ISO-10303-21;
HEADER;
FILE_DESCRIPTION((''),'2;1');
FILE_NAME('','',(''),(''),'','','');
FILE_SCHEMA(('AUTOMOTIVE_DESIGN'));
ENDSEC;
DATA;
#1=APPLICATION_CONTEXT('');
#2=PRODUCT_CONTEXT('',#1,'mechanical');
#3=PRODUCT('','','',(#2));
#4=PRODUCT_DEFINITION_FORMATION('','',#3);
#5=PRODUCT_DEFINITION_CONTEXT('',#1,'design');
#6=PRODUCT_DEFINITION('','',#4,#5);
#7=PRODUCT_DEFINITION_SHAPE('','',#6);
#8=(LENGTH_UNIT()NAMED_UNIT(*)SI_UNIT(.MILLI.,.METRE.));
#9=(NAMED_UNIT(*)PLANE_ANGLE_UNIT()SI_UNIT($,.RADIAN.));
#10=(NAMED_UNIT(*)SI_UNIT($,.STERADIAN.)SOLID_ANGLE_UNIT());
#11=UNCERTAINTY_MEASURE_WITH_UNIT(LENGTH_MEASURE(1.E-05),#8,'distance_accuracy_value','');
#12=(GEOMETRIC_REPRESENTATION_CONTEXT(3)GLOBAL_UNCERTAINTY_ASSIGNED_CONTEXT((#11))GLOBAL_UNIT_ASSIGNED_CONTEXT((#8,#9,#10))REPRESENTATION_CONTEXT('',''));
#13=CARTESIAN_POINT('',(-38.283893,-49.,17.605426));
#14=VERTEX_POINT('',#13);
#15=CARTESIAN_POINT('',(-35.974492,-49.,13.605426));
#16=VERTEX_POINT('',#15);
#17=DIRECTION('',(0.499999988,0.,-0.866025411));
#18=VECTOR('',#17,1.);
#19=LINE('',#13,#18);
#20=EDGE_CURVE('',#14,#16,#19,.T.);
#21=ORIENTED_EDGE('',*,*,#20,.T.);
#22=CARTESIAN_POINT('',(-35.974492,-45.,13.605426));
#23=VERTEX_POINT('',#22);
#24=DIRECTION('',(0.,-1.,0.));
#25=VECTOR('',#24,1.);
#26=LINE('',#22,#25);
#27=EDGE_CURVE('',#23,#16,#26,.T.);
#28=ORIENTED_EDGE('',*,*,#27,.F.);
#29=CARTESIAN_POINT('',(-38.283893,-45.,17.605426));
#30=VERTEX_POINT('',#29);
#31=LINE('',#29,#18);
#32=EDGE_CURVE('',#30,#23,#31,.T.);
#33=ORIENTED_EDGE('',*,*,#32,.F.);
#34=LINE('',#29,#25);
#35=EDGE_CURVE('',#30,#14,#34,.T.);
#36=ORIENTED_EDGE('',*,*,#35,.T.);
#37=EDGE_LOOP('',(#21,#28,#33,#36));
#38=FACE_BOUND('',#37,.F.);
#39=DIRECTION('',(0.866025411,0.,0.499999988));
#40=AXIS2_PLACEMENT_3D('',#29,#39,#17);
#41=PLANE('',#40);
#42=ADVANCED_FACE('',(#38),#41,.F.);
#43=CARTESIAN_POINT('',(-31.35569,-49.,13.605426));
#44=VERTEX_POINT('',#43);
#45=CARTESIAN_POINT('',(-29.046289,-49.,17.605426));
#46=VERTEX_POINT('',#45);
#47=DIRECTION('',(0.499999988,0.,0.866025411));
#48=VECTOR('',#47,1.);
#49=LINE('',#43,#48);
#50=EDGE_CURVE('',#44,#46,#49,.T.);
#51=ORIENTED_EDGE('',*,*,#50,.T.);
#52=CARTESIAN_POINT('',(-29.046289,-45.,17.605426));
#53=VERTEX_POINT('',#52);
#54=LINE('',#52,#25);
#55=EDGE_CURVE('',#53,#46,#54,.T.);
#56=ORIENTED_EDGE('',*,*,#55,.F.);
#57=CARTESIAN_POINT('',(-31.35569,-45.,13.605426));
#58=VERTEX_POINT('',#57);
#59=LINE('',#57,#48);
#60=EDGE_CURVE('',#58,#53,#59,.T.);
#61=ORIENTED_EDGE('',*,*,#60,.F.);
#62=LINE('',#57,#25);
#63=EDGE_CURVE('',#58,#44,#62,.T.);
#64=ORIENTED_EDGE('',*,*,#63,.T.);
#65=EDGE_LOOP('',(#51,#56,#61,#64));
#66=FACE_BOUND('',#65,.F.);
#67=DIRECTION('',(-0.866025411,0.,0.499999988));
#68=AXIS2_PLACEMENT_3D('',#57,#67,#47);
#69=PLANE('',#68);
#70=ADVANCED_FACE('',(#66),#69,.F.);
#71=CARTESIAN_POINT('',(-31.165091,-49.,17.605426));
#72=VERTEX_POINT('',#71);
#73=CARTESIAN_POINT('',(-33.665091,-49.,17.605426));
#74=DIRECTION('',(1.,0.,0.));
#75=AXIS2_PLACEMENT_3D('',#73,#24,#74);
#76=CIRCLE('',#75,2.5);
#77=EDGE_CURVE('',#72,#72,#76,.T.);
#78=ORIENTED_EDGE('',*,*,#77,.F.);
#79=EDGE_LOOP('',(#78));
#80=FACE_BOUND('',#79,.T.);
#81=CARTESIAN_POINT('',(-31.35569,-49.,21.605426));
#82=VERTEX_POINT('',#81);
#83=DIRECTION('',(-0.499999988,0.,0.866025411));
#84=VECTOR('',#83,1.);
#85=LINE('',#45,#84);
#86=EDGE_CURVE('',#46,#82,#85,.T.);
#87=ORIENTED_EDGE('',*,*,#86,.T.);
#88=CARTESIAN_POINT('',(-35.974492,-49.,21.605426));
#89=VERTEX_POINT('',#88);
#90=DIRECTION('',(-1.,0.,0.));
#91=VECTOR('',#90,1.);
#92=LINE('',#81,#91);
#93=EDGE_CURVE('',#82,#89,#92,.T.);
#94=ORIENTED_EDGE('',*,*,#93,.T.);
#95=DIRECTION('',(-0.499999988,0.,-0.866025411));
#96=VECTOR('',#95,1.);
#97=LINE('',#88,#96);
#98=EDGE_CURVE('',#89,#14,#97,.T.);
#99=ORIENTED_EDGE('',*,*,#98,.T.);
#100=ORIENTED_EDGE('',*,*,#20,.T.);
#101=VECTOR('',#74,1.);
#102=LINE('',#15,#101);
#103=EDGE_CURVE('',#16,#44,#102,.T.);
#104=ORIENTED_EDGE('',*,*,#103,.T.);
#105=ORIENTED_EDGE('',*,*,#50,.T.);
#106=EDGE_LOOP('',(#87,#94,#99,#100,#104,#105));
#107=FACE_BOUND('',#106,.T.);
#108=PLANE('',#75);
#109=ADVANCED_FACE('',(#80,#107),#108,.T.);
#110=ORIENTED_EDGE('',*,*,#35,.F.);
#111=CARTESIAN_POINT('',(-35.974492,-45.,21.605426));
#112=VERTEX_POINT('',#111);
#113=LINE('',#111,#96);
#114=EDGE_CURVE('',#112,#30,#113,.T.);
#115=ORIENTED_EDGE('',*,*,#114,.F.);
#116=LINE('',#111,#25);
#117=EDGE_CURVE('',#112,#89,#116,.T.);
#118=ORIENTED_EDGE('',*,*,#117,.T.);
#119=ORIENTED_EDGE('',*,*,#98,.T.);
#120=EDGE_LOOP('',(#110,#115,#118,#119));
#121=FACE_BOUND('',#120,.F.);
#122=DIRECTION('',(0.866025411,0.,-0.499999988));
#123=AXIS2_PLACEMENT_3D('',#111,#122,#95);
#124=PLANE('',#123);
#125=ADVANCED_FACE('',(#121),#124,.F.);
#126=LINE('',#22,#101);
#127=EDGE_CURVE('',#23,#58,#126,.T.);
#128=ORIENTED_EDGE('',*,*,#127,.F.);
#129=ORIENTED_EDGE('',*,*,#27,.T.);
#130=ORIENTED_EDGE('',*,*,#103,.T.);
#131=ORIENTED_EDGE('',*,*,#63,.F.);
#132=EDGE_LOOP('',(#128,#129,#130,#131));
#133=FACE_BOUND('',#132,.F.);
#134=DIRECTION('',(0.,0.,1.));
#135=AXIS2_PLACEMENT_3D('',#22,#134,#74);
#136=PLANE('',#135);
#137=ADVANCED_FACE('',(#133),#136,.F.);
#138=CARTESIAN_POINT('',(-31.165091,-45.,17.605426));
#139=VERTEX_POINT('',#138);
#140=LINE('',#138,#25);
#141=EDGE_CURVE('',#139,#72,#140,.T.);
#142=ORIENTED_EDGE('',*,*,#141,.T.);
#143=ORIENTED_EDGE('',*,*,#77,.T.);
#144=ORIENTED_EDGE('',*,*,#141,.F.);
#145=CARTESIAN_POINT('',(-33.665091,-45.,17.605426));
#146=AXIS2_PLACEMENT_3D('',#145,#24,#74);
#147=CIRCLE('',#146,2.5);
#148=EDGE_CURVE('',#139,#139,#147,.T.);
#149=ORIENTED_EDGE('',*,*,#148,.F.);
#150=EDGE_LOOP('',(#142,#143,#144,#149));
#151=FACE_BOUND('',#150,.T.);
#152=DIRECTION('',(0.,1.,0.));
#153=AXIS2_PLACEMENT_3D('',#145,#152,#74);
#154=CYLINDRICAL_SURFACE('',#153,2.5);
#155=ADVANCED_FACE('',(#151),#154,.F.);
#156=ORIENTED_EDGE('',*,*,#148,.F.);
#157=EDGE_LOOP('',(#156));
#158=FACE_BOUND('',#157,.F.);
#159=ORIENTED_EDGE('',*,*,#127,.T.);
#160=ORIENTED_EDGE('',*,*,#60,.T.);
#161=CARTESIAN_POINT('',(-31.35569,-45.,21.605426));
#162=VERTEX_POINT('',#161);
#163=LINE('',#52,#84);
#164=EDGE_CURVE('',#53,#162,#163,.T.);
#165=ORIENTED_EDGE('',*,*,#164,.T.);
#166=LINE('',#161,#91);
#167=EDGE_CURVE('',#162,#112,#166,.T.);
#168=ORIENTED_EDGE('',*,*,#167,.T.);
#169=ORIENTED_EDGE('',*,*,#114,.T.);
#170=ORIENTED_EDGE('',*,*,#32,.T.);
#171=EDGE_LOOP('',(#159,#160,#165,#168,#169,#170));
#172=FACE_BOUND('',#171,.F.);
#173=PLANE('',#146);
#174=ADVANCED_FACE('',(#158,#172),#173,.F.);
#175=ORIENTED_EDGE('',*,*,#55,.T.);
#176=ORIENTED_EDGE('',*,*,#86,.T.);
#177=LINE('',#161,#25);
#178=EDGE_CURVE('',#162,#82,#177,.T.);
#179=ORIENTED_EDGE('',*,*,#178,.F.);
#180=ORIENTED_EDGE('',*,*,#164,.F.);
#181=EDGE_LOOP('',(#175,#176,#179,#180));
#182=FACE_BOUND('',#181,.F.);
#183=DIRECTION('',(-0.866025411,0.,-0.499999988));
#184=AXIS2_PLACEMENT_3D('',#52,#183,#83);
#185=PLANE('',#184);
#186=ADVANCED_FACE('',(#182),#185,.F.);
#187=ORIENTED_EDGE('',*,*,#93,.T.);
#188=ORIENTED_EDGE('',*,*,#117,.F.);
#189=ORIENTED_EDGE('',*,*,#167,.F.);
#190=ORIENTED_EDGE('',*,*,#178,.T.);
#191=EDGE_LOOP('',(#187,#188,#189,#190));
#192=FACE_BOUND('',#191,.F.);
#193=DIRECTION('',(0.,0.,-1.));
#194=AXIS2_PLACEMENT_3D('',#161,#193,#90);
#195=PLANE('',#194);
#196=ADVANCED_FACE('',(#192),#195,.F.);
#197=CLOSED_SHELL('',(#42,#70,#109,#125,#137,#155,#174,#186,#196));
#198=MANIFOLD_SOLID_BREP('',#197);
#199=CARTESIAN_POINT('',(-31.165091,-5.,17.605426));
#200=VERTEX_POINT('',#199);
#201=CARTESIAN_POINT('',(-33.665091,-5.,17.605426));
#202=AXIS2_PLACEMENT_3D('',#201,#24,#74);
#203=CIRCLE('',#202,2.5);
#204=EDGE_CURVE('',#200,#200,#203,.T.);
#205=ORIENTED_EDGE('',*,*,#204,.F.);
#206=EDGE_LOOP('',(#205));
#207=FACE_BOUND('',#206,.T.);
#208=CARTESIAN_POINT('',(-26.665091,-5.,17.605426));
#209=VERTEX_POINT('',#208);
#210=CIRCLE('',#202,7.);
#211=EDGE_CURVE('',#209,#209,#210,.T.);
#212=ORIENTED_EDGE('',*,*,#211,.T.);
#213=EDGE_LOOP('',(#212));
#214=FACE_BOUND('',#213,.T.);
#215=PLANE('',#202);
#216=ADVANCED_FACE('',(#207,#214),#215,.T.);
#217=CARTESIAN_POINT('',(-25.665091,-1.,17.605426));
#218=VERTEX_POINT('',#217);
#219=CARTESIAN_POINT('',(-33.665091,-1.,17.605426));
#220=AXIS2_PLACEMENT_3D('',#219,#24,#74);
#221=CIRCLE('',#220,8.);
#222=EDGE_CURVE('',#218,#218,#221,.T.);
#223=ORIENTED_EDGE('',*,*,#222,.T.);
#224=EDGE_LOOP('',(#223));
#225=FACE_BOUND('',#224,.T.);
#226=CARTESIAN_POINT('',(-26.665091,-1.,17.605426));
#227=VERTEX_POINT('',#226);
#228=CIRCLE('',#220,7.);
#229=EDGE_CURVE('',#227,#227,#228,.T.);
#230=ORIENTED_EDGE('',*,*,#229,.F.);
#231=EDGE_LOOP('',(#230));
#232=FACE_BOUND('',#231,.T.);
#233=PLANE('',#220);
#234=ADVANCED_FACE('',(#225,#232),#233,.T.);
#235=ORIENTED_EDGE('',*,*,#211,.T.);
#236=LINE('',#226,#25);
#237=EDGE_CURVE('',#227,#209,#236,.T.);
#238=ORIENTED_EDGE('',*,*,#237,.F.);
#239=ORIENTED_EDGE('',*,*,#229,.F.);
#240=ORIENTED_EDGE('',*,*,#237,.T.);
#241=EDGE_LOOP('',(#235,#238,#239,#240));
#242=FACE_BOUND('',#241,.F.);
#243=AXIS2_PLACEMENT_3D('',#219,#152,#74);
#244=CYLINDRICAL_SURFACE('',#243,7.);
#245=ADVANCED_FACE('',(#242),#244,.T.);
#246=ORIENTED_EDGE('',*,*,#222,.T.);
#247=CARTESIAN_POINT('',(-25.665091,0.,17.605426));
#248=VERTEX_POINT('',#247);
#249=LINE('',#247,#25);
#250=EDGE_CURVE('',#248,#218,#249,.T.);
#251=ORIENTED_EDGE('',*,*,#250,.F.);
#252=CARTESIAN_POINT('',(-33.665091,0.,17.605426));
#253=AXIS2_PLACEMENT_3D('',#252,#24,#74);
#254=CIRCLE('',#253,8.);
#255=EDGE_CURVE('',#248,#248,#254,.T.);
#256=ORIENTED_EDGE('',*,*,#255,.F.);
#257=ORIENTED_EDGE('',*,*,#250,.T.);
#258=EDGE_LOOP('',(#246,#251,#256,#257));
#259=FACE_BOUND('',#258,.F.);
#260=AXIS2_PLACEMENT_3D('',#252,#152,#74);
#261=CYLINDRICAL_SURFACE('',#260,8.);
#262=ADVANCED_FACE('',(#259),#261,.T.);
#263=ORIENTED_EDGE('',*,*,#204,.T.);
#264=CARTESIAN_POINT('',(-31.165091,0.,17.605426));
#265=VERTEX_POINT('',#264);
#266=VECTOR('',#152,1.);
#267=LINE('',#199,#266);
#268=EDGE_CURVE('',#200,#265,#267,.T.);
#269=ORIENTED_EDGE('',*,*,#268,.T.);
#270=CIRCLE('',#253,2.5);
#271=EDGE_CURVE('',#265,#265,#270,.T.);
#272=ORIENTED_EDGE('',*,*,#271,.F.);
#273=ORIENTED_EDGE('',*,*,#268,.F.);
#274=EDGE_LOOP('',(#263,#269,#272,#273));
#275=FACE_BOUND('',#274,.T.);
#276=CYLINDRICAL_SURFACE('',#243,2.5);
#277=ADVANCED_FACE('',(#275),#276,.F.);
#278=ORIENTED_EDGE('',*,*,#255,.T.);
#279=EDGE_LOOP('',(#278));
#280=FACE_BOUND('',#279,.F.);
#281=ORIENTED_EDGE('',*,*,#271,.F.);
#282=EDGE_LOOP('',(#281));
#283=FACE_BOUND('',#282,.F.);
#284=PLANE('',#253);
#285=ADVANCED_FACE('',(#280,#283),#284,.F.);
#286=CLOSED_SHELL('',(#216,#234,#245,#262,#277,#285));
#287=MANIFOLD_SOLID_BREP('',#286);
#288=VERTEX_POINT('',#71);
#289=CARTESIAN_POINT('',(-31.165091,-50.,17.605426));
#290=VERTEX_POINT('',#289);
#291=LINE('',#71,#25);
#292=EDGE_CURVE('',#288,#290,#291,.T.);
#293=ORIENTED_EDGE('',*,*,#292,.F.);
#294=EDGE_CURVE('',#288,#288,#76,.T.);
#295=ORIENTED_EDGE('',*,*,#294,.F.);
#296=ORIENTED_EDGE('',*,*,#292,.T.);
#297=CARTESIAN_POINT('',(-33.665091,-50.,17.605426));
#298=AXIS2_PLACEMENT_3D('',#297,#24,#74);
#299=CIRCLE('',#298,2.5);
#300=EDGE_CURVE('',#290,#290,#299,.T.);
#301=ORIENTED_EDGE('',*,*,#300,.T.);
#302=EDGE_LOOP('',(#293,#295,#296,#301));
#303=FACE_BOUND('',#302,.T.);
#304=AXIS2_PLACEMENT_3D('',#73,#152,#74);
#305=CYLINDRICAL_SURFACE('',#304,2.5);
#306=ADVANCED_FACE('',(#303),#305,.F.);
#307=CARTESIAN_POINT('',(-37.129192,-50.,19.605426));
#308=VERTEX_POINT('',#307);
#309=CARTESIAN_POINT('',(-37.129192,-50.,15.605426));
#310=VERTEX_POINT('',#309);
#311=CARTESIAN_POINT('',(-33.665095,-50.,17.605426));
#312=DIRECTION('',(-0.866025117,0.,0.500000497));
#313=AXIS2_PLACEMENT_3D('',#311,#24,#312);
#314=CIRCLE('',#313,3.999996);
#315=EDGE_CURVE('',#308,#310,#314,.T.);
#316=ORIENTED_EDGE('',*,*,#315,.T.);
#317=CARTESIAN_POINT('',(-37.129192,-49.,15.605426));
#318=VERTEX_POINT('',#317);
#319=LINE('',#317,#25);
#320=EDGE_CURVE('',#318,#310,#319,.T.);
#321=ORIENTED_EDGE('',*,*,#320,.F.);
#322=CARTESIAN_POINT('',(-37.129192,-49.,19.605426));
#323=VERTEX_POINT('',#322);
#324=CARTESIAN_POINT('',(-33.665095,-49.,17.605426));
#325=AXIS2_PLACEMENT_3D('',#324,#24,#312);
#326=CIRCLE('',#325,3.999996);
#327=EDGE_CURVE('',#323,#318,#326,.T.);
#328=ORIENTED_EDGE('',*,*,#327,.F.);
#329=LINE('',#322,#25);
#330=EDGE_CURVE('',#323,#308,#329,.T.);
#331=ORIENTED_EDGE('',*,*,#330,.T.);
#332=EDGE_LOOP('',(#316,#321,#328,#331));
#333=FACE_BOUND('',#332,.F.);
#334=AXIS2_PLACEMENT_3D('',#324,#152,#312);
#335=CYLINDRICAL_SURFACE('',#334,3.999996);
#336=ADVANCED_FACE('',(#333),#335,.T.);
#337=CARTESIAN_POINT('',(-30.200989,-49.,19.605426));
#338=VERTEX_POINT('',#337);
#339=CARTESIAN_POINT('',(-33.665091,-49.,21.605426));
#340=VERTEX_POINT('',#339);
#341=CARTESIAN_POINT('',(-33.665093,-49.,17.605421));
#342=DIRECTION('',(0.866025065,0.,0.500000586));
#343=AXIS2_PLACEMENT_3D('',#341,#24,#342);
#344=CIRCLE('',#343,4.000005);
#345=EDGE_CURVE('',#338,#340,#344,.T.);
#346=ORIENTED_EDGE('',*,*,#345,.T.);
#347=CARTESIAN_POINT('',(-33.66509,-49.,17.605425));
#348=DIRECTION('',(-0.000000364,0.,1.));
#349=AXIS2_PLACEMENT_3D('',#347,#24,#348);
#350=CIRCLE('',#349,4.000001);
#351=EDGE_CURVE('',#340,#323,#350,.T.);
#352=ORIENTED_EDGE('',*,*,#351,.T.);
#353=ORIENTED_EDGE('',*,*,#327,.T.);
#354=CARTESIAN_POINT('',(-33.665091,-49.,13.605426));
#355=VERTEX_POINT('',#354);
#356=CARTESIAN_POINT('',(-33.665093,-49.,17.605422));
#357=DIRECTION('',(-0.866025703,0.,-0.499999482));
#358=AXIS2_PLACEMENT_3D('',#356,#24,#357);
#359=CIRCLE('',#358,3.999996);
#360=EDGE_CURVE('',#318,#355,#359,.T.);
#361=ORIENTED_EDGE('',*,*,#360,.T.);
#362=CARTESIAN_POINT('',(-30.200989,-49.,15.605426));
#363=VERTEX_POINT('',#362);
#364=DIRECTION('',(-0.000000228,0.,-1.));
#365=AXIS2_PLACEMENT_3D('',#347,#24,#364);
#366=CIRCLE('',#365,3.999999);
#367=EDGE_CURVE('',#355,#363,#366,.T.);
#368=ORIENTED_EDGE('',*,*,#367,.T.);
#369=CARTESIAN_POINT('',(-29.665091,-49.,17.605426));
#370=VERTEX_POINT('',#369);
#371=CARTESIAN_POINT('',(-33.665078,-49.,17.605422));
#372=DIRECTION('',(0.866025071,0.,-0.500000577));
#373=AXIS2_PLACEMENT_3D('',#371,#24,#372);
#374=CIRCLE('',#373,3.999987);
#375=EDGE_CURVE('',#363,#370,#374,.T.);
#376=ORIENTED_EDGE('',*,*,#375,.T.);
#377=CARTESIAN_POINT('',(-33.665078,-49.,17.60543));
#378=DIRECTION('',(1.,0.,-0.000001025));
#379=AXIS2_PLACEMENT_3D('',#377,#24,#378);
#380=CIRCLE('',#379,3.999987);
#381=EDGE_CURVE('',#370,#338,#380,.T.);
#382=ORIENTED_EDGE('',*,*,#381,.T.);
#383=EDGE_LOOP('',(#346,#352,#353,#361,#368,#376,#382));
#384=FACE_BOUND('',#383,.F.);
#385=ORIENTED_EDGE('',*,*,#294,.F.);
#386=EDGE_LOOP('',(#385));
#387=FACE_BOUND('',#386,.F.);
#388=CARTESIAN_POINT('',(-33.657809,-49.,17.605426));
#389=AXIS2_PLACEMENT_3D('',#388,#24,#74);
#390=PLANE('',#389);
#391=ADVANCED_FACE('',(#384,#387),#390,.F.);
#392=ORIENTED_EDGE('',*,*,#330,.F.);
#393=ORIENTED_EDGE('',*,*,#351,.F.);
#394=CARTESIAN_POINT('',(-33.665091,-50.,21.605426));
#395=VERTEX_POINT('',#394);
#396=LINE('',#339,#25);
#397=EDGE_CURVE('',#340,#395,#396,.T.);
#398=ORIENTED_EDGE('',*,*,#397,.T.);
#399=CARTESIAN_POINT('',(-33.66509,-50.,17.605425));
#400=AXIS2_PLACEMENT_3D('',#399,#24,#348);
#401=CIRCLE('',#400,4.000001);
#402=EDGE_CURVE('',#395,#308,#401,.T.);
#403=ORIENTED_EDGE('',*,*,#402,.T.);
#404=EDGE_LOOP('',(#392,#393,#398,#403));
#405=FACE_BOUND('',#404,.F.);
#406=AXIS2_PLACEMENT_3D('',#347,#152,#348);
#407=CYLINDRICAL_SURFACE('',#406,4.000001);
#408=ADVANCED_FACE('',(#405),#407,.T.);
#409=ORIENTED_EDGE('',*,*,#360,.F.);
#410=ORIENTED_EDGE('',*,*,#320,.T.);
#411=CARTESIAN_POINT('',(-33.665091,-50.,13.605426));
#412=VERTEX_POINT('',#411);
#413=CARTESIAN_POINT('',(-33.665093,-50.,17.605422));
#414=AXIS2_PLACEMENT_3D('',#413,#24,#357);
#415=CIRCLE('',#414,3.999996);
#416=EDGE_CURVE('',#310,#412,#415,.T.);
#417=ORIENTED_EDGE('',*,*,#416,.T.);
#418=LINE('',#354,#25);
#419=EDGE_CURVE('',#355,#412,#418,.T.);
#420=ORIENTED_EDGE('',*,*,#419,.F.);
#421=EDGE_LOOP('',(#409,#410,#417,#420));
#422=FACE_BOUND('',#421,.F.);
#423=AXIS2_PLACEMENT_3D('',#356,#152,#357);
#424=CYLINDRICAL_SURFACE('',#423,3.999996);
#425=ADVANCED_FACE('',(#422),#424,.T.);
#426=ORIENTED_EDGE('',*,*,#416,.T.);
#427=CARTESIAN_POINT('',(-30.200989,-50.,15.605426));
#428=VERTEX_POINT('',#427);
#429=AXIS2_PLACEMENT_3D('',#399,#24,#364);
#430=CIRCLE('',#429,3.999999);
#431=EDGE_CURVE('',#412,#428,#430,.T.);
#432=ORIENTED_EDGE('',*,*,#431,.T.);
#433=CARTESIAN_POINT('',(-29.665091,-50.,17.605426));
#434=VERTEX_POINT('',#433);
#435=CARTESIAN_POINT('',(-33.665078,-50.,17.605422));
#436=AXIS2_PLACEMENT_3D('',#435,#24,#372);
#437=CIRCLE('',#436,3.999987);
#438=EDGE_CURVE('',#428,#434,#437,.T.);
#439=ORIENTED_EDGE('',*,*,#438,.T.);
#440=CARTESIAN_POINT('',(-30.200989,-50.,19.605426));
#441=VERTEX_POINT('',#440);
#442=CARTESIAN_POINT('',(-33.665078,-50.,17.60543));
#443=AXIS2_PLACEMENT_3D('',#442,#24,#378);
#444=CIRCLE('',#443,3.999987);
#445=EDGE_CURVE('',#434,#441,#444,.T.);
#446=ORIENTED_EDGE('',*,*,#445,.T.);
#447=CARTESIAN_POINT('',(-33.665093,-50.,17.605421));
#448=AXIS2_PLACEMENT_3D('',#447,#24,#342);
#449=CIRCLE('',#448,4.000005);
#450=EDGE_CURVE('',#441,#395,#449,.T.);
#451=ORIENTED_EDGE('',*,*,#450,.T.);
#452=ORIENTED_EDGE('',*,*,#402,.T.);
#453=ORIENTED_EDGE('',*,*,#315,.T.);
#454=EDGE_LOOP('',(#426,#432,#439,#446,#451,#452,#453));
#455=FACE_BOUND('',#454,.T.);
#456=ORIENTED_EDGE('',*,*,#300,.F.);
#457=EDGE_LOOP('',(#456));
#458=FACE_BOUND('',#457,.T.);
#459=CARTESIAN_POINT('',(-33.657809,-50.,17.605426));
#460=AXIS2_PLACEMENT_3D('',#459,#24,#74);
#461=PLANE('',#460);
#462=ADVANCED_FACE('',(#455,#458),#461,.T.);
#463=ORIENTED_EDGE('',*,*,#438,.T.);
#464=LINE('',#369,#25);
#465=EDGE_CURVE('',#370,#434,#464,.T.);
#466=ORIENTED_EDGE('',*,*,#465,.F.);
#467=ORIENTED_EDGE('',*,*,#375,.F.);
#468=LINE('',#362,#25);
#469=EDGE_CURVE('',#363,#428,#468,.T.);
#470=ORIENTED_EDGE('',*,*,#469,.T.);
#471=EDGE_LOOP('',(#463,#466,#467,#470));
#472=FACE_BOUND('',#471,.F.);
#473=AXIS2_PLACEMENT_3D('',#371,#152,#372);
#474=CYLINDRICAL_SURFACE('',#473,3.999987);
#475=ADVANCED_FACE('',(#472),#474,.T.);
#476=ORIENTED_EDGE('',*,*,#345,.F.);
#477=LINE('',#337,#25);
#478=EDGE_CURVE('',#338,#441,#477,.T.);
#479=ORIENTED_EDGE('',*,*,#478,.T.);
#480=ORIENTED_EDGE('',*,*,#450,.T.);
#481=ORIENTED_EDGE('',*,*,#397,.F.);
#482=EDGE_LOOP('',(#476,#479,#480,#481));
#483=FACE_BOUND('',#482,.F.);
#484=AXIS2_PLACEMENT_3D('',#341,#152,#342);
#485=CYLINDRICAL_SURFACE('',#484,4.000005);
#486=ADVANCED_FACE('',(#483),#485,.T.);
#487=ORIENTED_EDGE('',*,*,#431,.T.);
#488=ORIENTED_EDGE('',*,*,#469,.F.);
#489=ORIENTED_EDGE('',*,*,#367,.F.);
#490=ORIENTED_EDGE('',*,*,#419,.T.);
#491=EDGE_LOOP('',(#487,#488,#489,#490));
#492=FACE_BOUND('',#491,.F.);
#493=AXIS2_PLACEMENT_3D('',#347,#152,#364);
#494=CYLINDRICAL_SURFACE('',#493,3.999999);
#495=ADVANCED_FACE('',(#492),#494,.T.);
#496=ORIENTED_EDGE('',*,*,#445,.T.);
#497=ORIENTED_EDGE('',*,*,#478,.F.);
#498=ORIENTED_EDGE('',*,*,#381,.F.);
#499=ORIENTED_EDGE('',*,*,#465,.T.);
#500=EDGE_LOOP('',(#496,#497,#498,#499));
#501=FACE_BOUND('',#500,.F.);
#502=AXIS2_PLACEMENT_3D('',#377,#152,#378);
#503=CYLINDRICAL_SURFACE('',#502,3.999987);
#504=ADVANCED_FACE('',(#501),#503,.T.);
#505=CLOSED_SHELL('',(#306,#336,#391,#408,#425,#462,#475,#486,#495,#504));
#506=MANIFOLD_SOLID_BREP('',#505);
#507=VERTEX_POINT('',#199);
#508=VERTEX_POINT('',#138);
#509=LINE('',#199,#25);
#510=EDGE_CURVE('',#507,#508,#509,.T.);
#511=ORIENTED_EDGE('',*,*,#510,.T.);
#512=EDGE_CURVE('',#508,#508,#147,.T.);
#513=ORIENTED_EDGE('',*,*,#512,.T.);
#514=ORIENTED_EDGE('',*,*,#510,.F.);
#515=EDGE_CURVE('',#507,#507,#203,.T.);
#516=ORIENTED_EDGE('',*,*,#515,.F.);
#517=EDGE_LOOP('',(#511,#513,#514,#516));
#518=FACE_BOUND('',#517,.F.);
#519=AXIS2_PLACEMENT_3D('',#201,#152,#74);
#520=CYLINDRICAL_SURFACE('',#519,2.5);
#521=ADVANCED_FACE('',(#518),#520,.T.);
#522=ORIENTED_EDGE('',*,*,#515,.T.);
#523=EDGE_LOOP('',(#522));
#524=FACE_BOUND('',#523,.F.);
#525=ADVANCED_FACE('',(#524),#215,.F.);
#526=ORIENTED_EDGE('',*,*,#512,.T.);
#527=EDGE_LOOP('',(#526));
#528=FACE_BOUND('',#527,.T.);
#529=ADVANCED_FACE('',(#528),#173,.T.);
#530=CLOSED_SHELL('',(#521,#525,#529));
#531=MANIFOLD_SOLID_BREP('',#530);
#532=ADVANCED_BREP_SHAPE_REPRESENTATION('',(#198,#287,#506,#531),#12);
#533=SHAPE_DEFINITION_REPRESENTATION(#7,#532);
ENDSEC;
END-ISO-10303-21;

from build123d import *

# Parameters (mm, degrees)
F0_R     = 8
F0_R_2   = 2.5
F1_DEPTH = 1
F2_R     = 7
F2_R_2   = 2.5
F3_DEPTH = 4
F4_R     = 2.5
F5_DEPTH = 40
F6_R     = 2.5
F7_DEPTH = 4
F8_R     = 2.5
F9_DEPTH = 1


with BuildPart() as f1:
    # F0 (on Front) → F1 (new body)
    with BuildSketch(Plane.XZ):
        with Locations((-33.665091, 17.605426)):
            Circle(F0_R)
        with Locations((-33.665091, 17.605426)):
            Circle(F0_R_2, mode=Mode.SUBTRACT)
    extrude(amount=F1_DEPTH)

    # F2 (on face) → F3 (join)
    with BuildSketch(Plane.XZ.offset(1)):
        with Locations((-33.665091, 17.605426)):
            Circle(F2_R)
        with Locations((-33.665091, 17.605426)):
            Circle(F2_R_2, mode=Mode.SUBTRACT)
    extrude(amount=F3_DEPTH)


with BuildPart() as f5:
    # F4 (on face) → F5 (new body)
    with BuildSketch(Plane.XZ.offset(5)):
        with Locations((-33.665091, 17.605426)):
            Circle(F4_R)
    extrude(amount=F5_DEPTH)


with BuildPart() as f7:
    # F6 (on face) → F7 (new body)
    with BuildSketch(Plane.XZ.offset(45)):
        Polygon((-31.35569, 13.605426), (-29.046289, 17.605426), (-31.35569, 21.605426), (-35.974492, 21.605426), (-38.283893, 17.605426), (-35.974492, 13.605426), align=None)
        with Locations((-33.665091, 17.605426)):
            Circle(F6_R, mode=Mode.SUBTRACT)
    extrude(amount=F7_DEPTH)


with BuildPart() as f9:
    # F8 (on face) → F9 (new body)
    with BuildSketch(Plane.XZ.offset(49)):
        with BuildLine():
            ThreePointArc((-30.200989, 15.605426), (-29.801387, 16.57015), (-29.665091, 17.605426))
            ThreePointArc((-29.665091, 17.605426), (-29.801387, 18.640702), (-30.200989, 19.605426))
            ThreePointArc((-30.200989, 19.605426), (-31.665091, 21.069527), (-33.665091, 21.605426))
            ThreePointArc((-33.665091, 21.605426), (-35.665091, 21.069527), (-37.129192, 19.605426))
            ThreePointArc((-37.129192, 19.605426), (-37.665091, 17.605426), (-37.129192, 15.605426))
            ThreePointArc((-37.129192, 15.605426), (-35.665091, 14.141324), (-33.665091, 13.605426))
            ThreePointArc((-33.665091, 13.605426), (-31.665091, 14.141324), (-30.200989, 15.605426))
        make_face()
        with Locations((-33.665091, 17.605426)):
            Circle(F8_R, mode=Mode.SUBTRACT)
    extrude(amount=F9_DEPTH)


solid = Compound([f1.part, f5.part, f7.part, f9.part])
